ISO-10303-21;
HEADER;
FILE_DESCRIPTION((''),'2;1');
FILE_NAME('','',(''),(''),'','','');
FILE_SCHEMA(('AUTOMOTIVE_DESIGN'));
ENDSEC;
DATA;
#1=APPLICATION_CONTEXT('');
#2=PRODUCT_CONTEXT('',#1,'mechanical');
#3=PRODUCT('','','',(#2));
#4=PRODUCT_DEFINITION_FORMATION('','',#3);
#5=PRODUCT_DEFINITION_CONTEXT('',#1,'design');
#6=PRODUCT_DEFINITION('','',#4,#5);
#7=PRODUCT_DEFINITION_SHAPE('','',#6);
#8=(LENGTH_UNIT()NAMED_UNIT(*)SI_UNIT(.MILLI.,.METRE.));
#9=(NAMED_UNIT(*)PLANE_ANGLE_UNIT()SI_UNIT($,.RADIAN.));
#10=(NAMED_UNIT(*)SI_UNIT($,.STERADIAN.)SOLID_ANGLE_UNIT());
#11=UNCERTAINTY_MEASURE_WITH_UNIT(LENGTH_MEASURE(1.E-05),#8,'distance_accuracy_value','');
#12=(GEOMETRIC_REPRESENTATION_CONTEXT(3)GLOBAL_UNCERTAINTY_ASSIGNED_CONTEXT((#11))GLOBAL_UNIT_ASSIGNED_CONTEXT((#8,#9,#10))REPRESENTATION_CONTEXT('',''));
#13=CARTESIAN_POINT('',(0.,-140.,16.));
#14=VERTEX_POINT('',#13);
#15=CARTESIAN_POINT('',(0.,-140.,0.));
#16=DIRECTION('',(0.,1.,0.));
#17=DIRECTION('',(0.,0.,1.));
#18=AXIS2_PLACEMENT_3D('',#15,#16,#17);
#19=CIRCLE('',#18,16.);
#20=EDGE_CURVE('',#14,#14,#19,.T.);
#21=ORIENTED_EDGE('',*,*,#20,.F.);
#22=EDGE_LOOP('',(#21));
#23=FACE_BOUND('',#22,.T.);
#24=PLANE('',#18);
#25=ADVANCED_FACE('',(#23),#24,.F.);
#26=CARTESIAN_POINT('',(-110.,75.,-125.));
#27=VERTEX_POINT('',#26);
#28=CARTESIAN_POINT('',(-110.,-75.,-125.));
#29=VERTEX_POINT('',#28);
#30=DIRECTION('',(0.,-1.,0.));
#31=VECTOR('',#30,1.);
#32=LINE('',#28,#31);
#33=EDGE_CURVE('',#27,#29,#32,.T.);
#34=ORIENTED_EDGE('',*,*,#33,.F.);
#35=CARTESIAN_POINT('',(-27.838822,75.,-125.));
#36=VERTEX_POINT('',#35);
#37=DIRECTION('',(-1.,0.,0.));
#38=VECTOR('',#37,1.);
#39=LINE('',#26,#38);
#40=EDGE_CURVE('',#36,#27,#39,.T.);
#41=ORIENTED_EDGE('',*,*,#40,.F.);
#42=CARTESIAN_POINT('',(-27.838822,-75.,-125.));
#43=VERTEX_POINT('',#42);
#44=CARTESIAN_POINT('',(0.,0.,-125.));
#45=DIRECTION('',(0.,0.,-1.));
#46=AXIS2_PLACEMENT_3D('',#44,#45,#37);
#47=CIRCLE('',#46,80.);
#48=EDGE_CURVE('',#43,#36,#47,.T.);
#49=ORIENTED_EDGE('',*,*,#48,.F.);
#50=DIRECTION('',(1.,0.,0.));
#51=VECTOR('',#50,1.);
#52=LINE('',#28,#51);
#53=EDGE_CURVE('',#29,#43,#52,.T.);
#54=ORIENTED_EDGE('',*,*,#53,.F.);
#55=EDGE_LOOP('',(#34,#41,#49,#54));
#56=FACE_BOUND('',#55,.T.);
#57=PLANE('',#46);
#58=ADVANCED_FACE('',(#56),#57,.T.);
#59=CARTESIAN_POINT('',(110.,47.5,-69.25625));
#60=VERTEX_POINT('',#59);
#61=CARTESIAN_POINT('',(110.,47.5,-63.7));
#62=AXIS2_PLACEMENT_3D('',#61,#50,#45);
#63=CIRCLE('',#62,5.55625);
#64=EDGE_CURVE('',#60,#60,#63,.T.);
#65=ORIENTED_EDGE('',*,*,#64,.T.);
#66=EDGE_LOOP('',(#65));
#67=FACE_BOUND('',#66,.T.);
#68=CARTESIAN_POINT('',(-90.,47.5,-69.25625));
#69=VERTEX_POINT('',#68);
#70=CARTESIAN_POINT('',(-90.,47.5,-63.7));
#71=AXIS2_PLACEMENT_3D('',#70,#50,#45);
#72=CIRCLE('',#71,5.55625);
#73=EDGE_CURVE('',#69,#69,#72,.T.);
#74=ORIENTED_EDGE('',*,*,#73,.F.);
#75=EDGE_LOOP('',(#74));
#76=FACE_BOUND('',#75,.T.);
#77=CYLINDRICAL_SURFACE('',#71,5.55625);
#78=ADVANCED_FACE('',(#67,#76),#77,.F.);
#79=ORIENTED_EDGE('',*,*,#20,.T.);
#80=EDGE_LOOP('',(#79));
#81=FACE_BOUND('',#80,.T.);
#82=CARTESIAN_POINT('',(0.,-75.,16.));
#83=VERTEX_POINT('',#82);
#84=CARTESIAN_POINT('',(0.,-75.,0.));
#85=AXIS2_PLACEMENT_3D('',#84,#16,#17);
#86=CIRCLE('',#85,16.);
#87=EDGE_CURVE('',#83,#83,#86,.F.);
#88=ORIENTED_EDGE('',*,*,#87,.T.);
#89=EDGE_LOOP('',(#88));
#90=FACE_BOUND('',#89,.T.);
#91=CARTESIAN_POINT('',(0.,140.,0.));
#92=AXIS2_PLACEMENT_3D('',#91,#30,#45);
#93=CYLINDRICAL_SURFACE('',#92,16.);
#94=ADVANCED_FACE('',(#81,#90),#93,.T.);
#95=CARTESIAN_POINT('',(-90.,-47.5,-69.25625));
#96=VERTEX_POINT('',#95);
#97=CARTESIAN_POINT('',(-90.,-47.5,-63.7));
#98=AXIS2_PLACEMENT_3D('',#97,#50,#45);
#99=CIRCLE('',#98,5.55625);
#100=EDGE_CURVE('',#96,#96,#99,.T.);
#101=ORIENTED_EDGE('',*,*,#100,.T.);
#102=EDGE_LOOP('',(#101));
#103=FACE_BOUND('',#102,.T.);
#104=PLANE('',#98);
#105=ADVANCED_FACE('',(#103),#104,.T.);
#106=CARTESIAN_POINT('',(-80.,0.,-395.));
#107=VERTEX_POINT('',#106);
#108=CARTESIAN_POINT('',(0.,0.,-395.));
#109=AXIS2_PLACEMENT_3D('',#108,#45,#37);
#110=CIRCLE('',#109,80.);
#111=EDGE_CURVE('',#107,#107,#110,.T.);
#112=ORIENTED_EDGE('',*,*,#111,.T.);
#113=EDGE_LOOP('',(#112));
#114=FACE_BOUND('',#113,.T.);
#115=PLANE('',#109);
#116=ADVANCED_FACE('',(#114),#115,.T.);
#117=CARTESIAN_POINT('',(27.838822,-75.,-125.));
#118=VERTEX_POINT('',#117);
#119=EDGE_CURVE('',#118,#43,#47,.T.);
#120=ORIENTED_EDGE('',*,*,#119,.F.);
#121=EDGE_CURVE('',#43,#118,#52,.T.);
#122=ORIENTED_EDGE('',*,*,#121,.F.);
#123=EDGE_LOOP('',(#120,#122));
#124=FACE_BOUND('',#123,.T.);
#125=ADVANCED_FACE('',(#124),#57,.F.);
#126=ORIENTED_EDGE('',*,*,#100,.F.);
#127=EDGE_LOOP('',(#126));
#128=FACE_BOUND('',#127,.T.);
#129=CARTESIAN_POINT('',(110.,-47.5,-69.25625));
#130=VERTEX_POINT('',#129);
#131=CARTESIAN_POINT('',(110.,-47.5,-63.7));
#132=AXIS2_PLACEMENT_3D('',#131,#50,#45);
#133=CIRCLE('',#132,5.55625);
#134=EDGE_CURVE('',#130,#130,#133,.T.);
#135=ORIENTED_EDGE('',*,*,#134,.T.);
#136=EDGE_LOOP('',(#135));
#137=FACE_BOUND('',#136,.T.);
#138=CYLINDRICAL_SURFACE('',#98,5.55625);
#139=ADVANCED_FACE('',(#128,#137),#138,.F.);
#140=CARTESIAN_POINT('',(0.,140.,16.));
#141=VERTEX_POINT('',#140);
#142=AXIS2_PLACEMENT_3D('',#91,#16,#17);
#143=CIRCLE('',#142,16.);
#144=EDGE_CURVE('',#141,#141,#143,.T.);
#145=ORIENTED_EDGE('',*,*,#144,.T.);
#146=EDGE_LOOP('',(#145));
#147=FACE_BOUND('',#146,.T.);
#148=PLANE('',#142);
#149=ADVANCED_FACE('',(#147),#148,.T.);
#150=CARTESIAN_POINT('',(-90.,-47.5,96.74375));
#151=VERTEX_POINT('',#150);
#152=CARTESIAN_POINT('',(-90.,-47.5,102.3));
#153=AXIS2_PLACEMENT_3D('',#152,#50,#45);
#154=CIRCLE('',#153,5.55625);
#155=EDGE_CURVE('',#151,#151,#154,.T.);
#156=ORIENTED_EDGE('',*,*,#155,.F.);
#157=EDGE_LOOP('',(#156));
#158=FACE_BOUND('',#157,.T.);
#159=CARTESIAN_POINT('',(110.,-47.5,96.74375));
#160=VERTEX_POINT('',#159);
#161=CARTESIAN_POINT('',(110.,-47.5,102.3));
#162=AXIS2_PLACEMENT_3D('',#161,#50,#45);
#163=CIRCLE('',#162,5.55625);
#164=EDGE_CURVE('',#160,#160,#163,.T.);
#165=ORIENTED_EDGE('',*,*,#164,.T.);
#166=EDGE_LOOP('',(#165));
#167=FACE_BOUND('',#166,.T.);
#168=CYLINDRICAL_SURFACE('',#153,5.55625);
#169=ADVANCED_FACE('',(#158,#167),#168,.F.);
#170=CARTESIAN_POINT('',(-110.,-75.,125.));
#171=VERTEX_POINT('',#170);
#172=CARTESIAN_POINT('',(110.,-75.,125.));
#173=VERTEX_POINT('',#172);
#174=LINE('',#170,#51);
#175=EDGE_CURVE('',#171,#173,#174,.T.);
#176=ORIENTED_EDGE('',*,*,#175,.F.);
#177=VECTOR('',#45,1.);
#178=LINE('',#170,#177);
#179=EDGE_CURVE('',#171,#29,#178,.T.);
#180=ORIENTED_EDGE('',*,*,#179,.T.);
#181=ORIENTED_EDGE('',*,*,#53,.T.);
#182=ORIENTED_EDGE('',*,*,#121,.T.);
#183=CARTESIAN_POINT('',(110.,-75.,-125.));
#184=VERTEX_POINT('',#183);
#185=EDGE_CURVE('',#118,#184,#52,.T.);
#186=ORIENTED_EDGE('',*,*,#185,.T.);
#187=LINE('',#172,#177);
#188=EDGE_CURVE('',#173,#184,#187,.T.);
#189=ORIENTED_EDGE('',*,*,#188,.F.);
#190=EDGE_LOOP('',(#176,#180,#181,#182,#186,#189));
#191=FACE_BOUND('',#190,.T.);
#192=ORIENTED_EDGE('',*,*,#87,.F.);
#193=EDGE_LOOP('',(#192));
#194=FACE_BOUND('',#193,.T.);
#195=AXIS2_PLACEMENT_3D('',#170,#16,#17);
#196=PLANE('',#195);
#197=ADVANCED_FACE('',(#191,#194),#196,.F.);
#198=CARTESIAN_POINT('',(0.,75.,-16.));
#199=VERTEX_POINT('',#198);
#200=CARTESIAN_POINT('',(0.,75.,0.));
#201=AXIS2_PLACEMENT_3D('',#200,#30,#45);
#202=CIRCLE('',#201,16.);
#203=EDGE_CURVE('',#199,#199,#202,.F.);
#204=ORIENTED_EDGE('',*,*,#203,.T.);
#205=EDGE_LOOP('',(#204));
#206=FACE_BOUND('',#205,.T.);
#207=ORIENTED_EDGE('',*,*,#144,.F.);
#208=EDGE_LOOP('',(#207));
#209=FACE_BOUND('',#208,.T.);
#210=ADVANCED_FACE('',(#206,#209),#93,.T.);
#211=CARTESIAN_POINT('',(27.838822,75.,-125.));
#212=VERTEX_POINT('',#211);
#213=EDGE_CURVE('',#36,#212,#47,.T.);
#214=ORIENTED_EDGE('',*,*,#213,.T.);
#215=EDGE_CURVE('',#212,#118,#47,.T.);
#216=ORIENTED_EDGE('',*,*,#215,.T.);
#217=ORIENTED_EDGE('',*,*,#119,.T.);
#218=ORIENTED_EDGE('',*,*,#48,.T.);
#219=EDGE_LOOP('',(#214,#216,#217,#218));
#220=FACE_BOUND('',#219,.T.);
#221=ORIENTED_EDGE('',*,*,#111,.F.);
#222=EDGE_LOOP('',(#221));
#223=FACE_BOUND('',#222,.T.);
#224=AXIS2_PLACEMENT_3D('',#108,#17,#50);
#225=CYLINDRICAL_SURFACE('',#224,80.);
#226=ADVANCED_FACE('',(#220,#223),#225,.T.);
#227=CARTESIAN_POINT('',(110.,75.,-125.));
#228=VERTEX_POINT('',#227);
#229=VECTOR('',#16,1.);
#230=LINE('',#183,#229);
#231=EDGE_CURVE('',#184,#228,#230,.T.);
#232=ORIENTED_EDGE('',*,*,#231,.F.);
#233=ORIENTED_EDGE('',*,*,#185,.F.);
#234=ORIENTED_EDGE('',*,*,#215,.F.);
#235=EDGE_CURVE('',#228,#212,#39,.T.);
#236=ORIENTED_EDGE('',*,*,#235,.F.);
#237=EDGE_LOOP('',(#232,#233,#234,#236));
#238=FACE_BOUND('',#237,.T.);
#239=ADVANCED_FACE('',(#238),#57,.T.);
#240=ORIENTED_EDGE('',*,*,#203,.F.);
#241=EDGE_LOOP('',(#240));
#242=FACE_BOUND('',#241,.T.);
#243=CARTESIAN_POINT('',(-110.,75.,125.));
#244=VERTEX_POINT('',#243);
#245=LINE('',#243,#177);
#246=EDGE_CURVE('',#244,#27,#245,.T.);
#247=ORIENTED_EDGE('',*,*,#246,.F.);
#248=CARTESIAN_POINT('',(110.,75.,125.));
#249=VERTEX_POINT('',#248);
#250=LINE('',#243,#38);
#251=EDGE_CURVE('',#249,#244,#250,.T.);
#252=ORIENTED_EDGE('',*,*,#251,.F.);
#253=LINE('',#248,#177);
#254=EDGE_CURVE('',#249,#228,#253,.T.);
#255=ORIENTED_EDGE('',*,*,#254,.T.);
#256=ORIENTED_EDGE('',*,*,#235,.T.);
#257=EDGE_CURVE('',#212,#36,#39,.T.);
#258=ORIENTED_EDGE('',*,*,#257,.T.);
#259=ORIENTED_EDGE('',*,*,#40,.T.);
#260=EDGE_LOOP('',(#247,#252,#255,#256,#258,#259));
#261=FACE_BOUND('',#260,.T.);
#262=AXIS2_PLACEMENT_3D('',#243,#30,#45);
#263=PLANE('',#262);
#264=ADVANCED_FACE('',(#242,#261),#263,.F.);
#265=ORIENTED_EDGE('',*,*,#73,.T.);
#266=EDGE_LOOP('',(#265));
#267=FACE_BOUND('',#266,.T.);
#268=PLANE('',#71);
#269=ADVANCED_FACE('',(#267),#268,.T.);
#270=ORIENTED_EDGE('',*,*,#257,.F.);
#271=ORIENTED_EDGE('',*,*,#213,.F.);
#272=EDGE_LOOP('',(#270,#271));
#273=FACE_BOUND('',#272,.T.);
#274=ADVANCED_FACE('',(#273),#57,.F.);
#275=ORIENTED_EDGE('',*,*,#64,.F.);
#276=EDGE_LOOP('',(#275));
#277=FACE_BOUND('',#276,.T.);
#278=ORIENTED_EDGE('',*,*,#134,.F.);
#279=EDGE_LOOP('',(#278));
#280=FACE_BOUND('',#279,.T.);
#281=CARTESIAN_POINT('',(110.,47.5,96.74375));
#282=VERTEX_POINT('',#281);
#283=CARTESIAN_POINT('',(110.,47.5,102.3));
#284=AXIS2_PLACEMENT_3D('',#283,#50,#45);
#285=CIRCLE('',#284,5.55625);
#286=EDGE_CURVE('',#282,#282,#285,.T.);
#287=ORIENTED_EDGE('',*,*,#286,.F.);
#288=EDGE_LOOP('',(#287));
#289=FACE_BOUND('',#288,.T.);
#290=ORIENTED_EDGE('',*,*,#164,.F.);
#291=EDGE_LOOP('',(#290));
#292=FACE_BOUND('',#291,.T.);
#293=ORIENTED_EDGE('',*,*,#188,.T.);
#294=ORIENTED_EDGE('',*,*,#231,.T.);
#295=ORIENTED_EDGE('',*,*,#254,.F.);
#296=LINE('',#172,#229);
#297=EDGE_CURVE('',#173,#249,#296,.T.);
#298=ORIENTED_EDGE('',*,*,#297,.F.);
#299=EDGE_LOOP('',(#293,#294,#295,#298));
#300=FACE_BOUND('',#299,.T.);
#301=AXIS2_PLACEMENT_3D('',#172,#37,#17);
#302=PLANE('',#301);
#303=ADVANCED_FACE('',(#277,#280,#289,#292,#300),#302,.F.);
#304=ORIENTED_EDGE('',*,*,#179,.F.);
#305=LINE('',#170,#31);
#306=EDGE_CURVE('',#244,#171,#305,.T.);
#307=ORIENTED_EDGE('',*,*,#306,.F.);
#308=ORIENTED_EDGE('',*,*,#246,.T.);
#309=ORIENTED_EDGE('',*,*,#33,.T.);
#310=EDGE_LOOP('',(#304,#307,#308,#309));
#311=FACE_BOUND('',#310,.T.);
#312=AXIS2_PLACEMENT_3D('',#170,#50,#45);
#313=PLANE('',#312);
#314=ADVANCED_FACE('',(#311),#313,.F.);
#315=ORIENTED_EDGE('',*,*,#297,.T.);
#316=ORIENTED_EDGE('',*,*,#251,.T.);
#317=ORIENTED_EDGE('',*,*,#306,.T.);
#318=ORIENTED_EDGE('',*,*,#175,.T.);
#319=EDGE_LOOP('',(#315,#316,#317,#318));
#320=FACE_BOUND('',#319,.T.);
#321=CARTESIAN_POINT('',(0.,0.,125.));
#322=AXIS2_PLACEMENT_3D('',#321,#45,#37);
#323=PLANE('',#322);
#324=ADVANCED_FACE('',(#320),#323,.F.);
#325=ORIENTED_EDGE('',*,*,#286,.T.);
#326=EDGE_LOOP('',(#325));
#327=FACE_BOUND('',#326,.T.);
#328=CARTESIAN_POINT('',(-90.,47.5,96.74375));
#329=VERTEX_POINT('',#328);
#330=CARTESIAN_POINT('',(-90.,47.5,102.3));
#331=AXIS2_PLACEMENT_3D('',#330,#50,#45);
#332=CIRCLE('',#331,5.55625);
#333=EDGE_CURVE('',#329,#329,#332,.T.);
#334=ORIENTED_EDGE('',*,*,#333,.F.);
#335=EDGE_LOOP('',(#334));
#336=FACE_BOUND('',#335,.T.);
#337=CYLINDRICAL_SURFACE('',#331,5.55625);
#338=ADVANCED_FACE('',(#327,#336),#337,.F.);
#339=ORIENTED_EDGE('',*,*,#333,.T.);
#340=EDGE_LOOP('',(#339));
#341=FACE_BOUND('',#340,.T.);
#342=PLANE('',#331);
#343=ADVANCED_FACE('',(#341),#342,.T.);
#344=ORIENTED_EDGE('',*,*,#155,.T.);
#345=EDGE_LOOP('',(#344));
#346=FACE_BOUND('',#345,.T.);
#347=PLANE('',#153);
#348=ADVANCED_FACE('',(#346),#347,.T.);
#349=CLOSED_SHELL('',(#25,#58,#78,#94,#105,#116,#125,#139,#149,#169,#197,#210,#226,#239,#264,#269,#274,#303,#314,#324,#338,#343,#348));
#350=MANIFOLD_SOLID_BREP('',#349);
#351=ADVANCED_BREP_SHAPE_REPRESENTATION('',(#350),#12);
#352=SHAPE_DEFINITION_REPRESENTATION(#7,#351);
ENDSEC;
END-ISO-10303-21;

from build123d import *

# Parameters (mm, degrees)
CROQUIS1_W              = 220
CROQUIS1_H              = 150
SALIENTE_EXTRUIR1_DEPTH = 125
CROQUIS2_R              = 16
SALIENTE_EXTRUIR2_DEPTH = 140
CROQUIS3_R              = 5.55625
CORTAR_EXTRUIR1_DEPTH   = 200
CROQUIS4_R              = 80
SALIENTE_EXTRUIR3_DEPTH = 270


with BuildPart() as part:
    # Croquis1 → Saliente-Extruir1 (new, symmetric)
    with BuildSketch(Plane.XY):
        Rectangle(CROQUIS1_W, CROQUIS1_H)
    extrude(amount=SALIENTE_EXTRUIR1_DEPTH, both=True)

    # Croquis2 → Saliente-Extruir2 (add, symmetric)
    with BuildSketch(Plane(origin=(0, 0, 0), x_dir=(1, 0, 0), z_dir=(0, 1, 0))):
        with Locations(Location((0, 0, 0), (0, 0, 270))):
            Circle(CROQUIS2_R)
    extrude(amount=SALIENTE_EXTRUIR2_DEPTH, both=True)

    # Croquis3 → Cortar-Extruir1 (cut)
    with BuildSketch(Plane(origin=(110, 0, 0), x_dir=(0, 0, -1), z_dir=(1, 0, 0))):
        with Locations((-102.3, 47.5)):
            Circle(CROQUIS3_R)
        with Locations((-102.3, -47.5)):
            Circle(CROQUIS3_R)
        with Locations((63.7, 47.5)):
            Circle(CROQUIS3_R)
        with Locations((63.7, -47.5)):
            Circle(CROQUIS3_R)
    extrude(amount=-CORTAR_EXTRUIR1_DEPTH, mode=Mode.SUBTRACT)

    # Croquis4 → Saliente-Extruir3 (add)
    with BuildSketch(Plane(origin=(0, 0, -125), x_dir=(-1, 0, 0), z_dir=(0, 0, -1))):
        with Locations(Location((0, 0, 0), (0, 0, 110.364134806))):
            Circle(CROQUIS4_R)
    extrude(amount=SALIENTE_EXTRUIR3_DEPTH)


solid = part.part
